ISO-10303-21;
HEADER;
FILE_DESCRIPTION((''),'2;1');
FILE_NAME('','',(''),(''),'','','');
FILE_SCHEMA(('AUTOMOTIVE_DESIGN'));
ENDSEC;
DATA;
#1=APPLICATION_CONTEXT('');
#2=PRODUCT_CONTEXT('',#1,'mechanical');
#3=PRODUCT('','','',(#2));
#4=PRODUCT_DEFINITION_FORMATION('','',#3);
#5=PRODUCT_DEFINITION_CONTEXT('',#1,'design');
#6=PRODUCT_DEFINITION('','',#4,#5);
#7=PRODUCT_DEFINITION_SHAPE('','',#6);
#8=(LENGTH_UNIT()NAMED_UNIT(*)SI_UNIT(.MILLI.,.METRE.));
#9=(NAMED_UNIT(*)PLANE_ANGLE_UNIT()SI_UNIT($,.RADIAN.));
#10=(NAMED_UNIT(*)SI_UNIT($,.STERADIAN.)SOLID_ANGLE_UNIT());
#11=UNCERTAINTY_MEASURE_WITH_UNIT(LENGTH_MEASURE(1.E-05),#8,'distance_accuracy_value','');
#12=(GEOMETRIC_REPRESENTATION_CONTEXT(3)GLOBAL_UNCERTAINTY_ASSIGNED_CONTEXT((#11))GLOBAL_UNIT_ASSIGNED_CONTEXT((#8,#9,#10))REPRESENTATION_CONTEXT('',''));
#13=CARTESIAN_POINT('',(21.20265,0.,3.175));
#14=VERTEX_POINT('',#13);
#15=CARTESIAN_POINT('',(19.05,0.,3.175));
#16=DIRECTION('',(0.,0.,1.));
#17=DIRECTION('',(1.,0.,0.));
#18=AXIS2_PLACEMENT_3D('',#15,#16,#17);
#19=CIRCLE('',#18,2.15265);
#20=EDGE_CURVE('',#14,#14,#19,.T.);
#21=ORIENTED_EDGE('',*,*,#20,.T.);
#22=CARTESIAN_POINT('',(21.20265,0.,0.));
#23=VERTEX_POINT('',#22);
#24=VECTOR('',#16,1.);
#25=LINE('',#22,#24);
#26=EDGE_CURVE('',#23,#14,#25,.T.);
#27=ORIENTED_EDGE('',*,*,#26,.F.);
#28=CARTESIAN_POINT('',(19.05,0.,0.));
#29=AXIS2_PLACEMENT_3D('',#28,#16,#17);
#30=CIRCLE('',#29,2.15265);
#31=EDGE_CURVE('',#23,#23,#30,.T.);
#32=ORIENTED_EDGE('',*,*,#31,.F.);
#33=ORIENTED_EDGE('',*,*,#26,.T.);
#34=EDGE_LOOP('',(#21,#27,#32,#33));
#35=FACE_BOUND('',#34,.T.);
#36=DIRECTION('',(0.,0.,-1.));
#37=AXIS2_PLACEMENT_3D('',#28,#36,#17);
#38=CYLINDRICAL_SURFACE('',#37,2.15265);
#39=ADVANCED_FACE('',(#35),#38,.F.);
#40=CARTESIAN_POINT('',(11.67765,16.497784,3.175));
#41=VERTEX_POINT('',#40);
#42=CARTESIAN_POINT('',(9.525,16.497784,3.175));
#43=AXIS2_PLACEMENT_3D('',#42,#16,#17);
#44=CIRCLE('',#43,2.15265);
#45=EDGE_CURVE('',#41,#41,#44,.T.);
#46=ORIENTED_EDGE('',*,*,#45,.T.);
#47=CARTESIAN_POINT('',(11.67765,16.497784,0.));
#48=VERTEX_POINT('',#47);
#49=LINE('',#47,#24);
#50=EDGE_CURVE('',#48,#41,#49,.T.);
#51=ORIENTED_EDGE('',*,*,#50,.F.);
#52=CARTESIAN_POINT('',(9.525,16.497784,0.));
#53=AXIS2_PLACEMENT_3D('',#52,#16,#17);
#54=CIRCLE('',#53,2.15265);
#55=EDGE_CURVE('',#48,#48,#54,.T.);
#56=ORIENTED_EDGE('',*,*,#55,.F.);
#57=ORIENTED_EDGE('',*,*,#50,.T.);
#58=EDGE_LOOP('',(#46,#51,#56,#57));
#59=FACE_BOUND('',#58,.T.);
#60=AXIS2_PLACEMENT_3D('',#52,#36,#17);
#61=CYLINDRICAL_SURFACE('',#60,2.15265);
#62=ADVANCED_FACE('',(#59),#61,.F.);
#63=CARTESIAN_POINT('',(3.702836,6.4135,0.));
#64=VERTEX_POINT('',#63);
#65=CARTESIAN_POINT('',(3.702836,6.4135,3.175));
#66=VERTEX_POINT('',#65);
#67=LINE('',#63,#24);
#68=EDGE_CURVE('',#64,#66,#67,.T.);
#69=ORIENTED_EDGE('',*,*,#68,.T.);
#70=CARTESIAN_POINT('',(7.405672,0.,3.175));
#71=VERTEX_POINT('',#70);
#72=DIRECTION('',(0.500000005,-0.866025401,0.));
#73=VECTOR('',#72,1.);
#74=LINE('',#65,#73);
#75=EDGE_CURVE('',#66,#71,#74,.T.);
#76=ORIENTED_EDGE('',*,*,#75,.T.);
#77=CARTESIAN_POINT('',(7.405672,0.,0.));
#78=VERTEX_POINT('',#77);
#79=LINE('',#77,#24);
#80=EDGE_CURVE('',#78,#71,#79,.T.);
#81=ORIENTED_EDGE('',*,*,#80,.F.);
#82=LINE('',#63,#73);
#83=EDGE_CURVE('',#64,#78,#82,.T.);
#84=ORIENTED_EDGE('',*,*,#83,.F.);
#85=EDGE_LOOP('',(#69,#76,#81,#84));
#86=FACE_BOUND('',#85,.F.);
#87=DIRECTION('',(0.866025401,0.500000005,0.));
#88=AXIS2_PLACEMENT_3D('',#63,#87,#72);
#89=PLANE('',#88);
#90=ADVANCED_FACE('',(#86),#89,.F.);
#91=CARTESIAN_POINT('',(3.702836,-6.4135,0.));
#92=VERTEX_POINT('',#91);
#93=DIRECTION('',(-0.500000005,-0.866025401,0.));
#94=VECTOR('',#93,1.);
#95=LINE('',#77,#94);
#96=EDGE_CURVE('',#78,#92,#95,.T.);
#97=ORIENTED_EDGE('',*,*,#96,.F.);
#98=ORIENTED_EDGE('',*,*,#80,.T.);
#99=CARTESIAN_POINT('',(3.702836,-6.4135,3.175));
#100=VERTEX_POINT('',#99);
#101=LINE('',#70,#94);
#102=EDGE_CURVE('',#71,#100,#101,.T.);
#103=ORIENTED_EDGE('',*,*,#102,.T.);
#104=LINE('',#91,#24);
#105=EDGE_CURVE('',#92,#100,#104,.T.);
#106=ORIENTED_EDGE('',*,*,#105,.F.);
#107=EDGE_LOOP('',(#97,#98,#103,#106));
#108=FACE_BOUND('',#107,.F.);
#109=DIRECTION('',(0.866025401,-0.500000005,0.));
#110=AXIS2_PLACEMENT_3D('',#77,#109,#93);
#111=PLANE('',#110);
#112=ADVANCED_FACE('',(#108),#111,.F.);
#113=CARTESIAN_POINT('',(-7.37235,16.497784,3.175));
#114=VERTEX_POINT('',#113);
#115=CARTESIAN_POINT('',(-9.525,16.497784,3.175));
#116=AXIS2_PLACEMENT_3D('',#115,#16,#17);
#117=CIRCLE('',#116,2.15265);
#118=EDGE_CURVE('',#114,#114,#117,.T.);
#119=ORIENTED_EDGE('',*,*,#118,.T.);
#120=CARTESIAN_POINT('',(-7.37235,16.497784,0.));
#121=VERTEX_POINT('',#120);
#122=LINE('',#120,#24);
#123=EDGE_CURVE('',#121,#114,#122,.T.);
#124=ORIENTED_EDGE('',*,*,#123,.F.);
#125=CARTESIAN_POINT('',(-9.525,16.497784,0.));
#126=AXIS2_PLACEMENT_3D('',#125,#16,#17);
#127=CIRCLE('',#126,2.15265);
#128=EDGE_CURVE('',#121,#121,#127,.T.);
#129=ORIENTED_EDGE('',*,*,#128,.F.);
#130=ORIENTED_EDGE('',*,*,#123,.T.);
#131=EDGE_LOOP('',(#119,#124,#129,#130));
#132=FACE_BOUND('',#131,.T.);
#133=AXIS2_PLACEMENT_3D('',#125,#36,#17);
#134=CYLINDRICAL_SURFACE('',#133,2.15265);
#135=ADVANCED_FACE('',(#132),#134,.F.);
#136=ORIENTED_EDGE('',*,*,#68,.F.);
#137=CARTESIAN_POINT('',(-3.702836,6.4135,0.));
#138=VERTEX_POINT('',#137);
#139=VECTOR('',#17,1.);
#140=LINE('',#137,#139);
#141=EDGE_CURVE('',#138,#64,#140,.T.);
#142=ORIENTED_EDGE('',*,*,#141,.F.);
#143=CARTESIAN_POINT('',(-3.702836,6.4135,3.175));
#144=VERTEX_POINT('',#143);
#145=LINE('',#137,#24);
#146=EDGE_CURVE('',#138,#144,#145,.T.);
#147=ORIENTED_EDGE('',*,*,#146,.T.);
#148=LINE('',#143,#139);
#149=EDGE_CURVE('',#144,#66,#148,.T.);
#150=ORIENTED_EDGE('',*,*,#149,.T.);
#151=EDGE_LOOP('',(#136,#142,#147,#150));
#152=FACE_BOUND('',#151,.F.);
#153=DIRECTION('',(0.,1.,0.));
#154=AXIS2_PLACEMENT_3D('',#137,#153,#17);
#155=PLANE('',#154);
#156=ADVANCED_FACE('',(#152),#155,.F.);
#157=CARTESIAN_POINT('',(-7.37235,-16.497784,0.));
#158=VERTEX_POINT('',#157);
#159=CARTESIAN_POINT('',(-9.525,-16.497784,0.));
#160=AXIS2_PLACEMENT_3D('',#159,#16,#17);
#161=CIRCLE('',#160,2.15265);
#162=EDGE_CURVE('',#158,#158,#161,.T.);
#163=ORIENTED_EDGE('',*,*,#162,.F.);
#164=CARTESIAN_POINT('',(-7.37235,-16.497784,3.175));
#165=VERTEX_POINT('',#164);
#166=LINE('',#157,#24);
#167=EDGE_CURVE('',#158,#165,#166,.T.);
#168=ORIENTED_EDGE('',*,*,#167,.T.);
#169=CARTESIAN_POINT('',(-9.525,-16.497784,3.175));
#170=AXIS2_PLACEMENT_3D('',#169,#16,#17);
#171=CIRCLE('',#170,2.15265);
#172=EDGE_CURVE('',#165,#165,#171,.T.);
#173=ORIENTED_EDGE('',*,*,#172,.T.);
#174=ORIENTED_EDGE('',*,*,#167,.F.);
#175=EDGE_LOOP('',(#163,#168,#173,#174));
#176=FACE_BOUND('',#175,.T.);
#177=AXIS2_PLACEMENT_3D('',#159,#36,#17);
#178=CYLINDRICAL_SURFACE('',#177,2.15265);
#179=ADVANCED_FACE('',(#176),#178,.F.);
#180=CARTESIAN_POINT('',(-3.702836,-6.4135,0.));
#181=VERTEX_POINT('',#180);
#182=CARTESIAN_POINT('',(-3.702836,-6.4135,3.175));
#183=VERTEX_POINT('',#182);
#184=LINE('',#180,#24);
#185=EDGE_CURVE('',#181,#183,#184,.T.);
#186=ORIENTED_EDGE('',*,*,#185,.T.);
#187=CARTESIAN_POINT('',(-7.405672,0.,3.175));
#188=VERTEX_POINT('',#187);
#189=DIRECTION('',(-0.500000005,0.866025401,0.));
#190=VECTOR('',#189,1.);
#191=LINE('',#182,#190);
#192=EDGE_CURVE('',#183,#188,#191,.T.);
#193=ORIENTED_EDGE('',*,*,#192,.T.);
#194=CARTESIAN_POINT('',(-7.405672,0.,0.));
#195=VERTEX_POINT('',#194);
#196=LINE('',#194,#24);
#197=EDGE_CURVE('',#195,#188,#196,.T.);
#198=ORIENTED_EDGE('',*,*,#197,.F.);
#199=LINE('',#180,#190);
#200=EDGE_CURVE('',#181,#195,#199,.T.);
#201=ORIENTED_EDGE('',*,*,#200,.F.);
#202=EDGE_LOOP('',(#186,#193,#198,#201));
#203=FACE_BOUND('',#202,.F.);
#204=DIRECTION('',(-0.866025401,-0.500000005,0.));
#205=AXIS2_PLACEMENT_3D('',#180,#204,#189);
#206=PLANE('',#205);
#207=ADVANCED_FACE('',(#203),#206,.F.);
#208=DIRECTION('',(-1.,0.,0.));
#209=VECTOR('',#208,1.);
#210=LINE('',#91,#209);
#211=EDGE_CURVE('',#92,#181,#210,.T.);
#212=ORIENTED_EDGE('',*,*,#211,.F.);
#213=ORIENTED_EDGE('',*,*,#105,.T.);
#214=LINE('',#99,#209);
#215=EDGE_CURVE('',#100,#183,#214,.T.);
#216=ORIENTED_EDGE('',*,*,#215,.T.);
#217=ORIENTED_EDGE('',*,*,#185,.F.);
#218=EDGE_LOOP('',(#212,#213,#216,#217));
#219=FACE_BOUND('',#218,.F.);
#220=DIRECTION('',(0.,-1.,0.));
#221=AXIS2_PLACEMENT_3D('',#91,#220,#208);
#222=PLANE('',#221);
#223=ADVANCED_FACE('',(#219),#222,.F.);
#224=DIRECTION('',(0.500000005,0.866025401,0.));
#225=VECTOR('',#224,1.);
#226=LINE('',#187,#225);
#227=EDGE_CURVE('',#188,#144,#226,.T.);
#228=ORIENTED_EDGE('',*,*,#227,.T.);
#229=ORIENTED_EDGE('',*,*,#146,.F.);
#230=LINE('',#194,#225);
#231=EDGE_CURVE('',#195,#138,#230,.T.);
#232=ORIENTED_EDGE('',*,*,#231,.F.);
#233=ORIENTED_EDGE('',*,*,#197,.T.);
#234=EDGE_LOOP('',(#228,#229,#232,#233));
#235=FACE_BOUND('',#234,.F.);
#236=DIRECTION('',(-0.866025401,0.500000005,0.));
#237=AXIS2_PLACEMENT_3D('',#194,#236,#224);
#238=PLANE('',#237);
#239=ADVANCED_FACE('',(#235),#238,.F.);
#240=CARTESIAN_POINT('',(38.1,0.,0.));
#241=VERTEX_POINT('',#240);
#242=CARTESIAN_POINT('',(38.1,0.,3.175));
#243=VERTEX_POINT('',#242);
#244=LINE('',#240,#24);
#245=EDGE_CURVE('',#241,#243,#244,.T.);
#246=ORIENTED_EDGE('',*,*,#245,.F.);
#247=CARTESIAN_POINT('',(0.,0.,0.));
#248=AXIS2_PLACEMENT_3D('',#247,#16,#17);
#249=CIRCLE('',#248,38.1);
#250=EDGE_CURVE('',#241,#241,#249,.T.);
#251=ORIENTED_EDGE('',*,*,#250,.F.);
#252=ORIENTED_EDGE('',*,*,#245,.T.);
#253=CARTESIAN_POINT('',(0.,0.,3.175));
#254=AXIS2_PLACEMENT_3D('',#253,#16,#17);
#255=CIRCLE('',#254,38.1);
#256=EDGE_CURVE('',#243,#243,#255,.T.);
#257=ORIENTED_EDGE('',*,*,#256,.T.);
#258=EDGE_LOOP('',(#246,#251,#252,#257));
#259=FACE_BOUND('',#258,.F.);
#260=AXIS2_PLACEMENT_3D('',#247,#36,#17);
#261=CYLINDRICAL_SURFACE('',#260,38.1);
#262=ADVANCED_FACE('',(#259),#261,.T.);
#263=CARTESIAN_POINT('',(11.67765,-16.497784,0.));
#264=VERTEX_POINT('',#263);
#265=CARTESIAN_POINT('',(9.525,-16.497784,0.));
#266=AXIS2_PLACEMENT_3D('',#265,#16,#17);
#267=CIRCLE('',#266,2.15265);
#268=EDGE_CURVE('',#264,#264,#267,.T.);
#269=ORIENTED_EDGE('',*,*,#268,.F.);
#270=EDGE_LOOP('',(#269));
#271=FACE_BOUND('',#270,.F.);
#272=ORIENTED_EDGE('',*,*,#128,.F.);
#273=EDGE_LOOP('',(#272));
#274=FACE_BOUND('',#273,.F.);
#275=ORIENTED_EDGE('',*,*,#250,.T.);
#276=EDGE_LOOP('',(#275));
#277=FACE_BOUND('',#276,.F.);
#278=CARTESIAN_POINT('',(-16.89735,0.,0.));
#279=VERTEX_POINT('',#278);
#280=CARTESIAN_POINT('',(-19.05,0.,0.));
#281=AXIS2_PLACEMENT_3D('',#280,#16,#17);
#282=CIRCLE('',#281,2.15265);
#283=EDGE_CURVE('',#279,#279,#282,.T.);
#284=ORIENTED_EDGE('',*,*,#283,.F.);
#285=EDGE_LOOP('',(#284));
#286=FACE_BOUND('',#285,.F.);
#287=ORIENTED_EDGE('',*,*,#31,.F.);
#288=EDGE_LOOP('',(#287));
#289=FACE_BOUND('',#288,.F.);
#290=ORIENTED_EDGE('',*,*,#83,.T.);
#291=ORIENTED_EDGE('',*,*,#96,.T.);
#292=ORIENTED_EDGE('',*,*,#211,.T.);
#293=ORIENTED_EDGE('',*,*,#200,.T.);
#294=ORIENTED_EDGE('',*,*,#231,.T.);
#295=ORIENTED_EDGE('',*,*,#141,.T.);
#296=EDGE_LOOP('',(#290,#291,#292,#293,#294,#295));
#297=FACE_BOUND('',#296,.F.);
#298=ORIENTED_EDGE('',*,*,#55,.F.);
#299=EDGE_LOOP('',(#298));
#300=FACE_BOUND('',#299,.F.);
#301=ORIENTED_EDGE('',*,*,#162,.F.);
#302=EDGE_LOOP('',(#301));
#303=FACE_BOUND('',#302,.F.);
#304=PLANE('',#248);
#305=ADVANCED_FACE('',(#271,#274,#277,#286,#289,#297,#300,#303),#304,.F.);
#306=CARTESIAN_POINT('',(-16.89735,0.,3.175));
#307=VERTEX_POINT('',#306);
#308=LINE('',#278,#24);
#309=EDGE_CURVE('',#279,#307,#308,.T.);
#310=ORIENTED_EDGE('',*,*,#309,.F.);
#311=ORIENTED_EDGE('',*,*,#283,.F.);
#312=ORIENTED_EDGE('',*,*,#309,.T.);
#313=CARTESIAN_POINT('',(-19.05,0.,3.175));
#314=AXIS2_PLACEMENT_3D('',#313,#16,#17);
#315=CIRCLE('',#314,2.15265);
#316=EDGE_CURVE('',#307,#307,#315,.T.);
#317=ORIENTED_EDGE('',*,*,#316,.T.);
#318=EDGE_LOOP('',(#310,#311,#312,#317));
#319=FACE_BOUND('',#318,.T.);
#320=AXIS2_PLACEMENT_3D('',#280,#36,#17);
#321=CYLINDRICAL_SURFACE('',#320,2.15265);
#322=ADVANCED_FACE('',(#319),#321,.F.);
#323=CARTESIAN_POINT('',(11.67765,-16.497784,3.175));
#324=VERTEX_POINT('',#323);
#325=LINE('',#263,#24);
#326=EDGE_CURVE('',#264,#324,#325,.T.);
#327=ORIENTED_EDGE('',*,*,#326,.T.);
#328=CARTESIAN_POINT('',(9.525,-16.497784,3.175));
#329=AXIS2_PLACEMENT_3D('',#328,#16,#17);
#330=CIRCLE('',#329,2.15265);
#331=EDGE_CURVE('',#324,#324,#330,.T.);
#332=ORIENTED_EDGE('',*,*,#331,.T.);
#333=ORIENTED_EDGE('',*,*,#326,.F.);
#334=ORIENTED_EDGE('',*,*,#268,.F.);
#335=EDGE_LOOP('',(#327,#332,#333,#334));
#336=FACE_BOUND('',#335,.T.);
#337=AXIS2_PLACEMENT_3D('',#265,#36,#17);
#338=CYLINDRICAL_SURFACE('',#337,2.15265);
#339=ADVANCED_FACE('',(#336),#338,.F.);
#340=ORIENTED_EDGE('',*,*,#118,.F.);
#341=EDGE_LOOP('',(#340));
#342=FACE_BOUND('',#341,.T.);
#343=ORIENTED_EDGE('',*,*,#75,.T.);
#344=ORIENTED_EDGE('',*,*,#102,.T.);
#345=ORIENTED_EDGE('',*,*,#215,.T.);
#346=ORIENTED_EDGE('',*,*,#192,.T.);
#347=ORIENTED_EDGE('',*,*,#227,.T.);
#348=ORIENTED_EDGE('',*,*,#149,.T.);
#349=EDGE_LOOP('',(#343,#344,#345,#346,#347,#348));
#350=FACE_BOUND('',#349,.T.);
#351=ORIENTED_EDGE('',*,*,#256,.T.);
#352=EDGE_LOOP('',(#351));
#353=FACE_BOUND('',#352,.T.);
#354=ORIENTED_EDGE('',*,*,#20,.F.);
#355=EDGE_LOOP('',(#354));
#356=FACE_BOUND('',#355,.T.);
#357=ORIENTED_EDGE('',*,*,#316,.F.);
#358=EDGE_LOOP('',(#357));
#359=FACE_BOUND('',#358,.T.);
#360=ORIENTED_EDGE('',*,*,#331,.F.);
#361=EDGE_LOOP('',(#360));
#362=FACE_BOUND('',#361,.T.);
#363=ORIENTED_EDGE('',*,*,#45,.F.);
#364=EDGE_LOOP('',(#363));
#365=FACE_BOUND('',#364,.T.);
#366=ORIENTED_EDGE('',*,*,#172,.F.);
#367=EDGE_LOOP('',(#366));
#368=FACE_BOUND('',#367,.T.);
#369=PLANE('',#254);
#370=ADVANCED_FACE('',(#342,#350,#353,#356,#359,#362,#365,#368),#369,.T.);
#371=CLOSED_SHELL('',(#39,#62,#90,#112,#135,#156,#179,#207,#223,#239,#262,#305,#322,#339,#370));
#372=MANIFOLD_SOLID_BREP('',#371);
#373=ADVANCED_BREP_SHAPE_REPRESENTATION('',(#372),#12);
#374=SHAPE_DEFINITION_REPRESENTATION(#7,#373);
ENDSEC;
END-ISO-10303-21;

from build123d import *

# Parameters (mm, degrees)
F0_R     = 38.1
F0_R_2   = 2.15265
F1_DEPTH = 3.175


with BuildPart() as f1:
    # F0 (on Top) → F1 (new body)
    with BuildSketch(Plane.XY):
        Circle(F0_R)
        with Locations((-9.525, -16.497784)):
            Circle(F0_R_2, mode=Mode.SUBTRACT)
        with Locations((9.525, -16.497784)):
            Circle(F0_R_2, mode=Mode.SUBTRACT)
        with Locations((-19.05, 0)):
            Circle(F0_R_2, mode=Mode.SUBTRACT)
        with Locations((-9.525, 16.497784)):
            Circle(F0_R_2, mode=Mode.SUBTRACT)
        Polygon((7.405672, 0), (3.702836, -6.4135), (-3.702836, -6.4135), (-7.405672, 0), (-3.702836, 6.4135), (3.702836, 6.4135), align=None, mode=Mode.SUBTRACT)
        with Locations((9.525, 16.497784)):
            Circle(F0_R_2, mode=Mode.SUBTRACT)
        with Locations((19.05, 0)):
            Circle(F0_R_2, mode=Mode.SUBTRACT)
    extrude(amount=F1_DEPTH)


solid = f1.part
